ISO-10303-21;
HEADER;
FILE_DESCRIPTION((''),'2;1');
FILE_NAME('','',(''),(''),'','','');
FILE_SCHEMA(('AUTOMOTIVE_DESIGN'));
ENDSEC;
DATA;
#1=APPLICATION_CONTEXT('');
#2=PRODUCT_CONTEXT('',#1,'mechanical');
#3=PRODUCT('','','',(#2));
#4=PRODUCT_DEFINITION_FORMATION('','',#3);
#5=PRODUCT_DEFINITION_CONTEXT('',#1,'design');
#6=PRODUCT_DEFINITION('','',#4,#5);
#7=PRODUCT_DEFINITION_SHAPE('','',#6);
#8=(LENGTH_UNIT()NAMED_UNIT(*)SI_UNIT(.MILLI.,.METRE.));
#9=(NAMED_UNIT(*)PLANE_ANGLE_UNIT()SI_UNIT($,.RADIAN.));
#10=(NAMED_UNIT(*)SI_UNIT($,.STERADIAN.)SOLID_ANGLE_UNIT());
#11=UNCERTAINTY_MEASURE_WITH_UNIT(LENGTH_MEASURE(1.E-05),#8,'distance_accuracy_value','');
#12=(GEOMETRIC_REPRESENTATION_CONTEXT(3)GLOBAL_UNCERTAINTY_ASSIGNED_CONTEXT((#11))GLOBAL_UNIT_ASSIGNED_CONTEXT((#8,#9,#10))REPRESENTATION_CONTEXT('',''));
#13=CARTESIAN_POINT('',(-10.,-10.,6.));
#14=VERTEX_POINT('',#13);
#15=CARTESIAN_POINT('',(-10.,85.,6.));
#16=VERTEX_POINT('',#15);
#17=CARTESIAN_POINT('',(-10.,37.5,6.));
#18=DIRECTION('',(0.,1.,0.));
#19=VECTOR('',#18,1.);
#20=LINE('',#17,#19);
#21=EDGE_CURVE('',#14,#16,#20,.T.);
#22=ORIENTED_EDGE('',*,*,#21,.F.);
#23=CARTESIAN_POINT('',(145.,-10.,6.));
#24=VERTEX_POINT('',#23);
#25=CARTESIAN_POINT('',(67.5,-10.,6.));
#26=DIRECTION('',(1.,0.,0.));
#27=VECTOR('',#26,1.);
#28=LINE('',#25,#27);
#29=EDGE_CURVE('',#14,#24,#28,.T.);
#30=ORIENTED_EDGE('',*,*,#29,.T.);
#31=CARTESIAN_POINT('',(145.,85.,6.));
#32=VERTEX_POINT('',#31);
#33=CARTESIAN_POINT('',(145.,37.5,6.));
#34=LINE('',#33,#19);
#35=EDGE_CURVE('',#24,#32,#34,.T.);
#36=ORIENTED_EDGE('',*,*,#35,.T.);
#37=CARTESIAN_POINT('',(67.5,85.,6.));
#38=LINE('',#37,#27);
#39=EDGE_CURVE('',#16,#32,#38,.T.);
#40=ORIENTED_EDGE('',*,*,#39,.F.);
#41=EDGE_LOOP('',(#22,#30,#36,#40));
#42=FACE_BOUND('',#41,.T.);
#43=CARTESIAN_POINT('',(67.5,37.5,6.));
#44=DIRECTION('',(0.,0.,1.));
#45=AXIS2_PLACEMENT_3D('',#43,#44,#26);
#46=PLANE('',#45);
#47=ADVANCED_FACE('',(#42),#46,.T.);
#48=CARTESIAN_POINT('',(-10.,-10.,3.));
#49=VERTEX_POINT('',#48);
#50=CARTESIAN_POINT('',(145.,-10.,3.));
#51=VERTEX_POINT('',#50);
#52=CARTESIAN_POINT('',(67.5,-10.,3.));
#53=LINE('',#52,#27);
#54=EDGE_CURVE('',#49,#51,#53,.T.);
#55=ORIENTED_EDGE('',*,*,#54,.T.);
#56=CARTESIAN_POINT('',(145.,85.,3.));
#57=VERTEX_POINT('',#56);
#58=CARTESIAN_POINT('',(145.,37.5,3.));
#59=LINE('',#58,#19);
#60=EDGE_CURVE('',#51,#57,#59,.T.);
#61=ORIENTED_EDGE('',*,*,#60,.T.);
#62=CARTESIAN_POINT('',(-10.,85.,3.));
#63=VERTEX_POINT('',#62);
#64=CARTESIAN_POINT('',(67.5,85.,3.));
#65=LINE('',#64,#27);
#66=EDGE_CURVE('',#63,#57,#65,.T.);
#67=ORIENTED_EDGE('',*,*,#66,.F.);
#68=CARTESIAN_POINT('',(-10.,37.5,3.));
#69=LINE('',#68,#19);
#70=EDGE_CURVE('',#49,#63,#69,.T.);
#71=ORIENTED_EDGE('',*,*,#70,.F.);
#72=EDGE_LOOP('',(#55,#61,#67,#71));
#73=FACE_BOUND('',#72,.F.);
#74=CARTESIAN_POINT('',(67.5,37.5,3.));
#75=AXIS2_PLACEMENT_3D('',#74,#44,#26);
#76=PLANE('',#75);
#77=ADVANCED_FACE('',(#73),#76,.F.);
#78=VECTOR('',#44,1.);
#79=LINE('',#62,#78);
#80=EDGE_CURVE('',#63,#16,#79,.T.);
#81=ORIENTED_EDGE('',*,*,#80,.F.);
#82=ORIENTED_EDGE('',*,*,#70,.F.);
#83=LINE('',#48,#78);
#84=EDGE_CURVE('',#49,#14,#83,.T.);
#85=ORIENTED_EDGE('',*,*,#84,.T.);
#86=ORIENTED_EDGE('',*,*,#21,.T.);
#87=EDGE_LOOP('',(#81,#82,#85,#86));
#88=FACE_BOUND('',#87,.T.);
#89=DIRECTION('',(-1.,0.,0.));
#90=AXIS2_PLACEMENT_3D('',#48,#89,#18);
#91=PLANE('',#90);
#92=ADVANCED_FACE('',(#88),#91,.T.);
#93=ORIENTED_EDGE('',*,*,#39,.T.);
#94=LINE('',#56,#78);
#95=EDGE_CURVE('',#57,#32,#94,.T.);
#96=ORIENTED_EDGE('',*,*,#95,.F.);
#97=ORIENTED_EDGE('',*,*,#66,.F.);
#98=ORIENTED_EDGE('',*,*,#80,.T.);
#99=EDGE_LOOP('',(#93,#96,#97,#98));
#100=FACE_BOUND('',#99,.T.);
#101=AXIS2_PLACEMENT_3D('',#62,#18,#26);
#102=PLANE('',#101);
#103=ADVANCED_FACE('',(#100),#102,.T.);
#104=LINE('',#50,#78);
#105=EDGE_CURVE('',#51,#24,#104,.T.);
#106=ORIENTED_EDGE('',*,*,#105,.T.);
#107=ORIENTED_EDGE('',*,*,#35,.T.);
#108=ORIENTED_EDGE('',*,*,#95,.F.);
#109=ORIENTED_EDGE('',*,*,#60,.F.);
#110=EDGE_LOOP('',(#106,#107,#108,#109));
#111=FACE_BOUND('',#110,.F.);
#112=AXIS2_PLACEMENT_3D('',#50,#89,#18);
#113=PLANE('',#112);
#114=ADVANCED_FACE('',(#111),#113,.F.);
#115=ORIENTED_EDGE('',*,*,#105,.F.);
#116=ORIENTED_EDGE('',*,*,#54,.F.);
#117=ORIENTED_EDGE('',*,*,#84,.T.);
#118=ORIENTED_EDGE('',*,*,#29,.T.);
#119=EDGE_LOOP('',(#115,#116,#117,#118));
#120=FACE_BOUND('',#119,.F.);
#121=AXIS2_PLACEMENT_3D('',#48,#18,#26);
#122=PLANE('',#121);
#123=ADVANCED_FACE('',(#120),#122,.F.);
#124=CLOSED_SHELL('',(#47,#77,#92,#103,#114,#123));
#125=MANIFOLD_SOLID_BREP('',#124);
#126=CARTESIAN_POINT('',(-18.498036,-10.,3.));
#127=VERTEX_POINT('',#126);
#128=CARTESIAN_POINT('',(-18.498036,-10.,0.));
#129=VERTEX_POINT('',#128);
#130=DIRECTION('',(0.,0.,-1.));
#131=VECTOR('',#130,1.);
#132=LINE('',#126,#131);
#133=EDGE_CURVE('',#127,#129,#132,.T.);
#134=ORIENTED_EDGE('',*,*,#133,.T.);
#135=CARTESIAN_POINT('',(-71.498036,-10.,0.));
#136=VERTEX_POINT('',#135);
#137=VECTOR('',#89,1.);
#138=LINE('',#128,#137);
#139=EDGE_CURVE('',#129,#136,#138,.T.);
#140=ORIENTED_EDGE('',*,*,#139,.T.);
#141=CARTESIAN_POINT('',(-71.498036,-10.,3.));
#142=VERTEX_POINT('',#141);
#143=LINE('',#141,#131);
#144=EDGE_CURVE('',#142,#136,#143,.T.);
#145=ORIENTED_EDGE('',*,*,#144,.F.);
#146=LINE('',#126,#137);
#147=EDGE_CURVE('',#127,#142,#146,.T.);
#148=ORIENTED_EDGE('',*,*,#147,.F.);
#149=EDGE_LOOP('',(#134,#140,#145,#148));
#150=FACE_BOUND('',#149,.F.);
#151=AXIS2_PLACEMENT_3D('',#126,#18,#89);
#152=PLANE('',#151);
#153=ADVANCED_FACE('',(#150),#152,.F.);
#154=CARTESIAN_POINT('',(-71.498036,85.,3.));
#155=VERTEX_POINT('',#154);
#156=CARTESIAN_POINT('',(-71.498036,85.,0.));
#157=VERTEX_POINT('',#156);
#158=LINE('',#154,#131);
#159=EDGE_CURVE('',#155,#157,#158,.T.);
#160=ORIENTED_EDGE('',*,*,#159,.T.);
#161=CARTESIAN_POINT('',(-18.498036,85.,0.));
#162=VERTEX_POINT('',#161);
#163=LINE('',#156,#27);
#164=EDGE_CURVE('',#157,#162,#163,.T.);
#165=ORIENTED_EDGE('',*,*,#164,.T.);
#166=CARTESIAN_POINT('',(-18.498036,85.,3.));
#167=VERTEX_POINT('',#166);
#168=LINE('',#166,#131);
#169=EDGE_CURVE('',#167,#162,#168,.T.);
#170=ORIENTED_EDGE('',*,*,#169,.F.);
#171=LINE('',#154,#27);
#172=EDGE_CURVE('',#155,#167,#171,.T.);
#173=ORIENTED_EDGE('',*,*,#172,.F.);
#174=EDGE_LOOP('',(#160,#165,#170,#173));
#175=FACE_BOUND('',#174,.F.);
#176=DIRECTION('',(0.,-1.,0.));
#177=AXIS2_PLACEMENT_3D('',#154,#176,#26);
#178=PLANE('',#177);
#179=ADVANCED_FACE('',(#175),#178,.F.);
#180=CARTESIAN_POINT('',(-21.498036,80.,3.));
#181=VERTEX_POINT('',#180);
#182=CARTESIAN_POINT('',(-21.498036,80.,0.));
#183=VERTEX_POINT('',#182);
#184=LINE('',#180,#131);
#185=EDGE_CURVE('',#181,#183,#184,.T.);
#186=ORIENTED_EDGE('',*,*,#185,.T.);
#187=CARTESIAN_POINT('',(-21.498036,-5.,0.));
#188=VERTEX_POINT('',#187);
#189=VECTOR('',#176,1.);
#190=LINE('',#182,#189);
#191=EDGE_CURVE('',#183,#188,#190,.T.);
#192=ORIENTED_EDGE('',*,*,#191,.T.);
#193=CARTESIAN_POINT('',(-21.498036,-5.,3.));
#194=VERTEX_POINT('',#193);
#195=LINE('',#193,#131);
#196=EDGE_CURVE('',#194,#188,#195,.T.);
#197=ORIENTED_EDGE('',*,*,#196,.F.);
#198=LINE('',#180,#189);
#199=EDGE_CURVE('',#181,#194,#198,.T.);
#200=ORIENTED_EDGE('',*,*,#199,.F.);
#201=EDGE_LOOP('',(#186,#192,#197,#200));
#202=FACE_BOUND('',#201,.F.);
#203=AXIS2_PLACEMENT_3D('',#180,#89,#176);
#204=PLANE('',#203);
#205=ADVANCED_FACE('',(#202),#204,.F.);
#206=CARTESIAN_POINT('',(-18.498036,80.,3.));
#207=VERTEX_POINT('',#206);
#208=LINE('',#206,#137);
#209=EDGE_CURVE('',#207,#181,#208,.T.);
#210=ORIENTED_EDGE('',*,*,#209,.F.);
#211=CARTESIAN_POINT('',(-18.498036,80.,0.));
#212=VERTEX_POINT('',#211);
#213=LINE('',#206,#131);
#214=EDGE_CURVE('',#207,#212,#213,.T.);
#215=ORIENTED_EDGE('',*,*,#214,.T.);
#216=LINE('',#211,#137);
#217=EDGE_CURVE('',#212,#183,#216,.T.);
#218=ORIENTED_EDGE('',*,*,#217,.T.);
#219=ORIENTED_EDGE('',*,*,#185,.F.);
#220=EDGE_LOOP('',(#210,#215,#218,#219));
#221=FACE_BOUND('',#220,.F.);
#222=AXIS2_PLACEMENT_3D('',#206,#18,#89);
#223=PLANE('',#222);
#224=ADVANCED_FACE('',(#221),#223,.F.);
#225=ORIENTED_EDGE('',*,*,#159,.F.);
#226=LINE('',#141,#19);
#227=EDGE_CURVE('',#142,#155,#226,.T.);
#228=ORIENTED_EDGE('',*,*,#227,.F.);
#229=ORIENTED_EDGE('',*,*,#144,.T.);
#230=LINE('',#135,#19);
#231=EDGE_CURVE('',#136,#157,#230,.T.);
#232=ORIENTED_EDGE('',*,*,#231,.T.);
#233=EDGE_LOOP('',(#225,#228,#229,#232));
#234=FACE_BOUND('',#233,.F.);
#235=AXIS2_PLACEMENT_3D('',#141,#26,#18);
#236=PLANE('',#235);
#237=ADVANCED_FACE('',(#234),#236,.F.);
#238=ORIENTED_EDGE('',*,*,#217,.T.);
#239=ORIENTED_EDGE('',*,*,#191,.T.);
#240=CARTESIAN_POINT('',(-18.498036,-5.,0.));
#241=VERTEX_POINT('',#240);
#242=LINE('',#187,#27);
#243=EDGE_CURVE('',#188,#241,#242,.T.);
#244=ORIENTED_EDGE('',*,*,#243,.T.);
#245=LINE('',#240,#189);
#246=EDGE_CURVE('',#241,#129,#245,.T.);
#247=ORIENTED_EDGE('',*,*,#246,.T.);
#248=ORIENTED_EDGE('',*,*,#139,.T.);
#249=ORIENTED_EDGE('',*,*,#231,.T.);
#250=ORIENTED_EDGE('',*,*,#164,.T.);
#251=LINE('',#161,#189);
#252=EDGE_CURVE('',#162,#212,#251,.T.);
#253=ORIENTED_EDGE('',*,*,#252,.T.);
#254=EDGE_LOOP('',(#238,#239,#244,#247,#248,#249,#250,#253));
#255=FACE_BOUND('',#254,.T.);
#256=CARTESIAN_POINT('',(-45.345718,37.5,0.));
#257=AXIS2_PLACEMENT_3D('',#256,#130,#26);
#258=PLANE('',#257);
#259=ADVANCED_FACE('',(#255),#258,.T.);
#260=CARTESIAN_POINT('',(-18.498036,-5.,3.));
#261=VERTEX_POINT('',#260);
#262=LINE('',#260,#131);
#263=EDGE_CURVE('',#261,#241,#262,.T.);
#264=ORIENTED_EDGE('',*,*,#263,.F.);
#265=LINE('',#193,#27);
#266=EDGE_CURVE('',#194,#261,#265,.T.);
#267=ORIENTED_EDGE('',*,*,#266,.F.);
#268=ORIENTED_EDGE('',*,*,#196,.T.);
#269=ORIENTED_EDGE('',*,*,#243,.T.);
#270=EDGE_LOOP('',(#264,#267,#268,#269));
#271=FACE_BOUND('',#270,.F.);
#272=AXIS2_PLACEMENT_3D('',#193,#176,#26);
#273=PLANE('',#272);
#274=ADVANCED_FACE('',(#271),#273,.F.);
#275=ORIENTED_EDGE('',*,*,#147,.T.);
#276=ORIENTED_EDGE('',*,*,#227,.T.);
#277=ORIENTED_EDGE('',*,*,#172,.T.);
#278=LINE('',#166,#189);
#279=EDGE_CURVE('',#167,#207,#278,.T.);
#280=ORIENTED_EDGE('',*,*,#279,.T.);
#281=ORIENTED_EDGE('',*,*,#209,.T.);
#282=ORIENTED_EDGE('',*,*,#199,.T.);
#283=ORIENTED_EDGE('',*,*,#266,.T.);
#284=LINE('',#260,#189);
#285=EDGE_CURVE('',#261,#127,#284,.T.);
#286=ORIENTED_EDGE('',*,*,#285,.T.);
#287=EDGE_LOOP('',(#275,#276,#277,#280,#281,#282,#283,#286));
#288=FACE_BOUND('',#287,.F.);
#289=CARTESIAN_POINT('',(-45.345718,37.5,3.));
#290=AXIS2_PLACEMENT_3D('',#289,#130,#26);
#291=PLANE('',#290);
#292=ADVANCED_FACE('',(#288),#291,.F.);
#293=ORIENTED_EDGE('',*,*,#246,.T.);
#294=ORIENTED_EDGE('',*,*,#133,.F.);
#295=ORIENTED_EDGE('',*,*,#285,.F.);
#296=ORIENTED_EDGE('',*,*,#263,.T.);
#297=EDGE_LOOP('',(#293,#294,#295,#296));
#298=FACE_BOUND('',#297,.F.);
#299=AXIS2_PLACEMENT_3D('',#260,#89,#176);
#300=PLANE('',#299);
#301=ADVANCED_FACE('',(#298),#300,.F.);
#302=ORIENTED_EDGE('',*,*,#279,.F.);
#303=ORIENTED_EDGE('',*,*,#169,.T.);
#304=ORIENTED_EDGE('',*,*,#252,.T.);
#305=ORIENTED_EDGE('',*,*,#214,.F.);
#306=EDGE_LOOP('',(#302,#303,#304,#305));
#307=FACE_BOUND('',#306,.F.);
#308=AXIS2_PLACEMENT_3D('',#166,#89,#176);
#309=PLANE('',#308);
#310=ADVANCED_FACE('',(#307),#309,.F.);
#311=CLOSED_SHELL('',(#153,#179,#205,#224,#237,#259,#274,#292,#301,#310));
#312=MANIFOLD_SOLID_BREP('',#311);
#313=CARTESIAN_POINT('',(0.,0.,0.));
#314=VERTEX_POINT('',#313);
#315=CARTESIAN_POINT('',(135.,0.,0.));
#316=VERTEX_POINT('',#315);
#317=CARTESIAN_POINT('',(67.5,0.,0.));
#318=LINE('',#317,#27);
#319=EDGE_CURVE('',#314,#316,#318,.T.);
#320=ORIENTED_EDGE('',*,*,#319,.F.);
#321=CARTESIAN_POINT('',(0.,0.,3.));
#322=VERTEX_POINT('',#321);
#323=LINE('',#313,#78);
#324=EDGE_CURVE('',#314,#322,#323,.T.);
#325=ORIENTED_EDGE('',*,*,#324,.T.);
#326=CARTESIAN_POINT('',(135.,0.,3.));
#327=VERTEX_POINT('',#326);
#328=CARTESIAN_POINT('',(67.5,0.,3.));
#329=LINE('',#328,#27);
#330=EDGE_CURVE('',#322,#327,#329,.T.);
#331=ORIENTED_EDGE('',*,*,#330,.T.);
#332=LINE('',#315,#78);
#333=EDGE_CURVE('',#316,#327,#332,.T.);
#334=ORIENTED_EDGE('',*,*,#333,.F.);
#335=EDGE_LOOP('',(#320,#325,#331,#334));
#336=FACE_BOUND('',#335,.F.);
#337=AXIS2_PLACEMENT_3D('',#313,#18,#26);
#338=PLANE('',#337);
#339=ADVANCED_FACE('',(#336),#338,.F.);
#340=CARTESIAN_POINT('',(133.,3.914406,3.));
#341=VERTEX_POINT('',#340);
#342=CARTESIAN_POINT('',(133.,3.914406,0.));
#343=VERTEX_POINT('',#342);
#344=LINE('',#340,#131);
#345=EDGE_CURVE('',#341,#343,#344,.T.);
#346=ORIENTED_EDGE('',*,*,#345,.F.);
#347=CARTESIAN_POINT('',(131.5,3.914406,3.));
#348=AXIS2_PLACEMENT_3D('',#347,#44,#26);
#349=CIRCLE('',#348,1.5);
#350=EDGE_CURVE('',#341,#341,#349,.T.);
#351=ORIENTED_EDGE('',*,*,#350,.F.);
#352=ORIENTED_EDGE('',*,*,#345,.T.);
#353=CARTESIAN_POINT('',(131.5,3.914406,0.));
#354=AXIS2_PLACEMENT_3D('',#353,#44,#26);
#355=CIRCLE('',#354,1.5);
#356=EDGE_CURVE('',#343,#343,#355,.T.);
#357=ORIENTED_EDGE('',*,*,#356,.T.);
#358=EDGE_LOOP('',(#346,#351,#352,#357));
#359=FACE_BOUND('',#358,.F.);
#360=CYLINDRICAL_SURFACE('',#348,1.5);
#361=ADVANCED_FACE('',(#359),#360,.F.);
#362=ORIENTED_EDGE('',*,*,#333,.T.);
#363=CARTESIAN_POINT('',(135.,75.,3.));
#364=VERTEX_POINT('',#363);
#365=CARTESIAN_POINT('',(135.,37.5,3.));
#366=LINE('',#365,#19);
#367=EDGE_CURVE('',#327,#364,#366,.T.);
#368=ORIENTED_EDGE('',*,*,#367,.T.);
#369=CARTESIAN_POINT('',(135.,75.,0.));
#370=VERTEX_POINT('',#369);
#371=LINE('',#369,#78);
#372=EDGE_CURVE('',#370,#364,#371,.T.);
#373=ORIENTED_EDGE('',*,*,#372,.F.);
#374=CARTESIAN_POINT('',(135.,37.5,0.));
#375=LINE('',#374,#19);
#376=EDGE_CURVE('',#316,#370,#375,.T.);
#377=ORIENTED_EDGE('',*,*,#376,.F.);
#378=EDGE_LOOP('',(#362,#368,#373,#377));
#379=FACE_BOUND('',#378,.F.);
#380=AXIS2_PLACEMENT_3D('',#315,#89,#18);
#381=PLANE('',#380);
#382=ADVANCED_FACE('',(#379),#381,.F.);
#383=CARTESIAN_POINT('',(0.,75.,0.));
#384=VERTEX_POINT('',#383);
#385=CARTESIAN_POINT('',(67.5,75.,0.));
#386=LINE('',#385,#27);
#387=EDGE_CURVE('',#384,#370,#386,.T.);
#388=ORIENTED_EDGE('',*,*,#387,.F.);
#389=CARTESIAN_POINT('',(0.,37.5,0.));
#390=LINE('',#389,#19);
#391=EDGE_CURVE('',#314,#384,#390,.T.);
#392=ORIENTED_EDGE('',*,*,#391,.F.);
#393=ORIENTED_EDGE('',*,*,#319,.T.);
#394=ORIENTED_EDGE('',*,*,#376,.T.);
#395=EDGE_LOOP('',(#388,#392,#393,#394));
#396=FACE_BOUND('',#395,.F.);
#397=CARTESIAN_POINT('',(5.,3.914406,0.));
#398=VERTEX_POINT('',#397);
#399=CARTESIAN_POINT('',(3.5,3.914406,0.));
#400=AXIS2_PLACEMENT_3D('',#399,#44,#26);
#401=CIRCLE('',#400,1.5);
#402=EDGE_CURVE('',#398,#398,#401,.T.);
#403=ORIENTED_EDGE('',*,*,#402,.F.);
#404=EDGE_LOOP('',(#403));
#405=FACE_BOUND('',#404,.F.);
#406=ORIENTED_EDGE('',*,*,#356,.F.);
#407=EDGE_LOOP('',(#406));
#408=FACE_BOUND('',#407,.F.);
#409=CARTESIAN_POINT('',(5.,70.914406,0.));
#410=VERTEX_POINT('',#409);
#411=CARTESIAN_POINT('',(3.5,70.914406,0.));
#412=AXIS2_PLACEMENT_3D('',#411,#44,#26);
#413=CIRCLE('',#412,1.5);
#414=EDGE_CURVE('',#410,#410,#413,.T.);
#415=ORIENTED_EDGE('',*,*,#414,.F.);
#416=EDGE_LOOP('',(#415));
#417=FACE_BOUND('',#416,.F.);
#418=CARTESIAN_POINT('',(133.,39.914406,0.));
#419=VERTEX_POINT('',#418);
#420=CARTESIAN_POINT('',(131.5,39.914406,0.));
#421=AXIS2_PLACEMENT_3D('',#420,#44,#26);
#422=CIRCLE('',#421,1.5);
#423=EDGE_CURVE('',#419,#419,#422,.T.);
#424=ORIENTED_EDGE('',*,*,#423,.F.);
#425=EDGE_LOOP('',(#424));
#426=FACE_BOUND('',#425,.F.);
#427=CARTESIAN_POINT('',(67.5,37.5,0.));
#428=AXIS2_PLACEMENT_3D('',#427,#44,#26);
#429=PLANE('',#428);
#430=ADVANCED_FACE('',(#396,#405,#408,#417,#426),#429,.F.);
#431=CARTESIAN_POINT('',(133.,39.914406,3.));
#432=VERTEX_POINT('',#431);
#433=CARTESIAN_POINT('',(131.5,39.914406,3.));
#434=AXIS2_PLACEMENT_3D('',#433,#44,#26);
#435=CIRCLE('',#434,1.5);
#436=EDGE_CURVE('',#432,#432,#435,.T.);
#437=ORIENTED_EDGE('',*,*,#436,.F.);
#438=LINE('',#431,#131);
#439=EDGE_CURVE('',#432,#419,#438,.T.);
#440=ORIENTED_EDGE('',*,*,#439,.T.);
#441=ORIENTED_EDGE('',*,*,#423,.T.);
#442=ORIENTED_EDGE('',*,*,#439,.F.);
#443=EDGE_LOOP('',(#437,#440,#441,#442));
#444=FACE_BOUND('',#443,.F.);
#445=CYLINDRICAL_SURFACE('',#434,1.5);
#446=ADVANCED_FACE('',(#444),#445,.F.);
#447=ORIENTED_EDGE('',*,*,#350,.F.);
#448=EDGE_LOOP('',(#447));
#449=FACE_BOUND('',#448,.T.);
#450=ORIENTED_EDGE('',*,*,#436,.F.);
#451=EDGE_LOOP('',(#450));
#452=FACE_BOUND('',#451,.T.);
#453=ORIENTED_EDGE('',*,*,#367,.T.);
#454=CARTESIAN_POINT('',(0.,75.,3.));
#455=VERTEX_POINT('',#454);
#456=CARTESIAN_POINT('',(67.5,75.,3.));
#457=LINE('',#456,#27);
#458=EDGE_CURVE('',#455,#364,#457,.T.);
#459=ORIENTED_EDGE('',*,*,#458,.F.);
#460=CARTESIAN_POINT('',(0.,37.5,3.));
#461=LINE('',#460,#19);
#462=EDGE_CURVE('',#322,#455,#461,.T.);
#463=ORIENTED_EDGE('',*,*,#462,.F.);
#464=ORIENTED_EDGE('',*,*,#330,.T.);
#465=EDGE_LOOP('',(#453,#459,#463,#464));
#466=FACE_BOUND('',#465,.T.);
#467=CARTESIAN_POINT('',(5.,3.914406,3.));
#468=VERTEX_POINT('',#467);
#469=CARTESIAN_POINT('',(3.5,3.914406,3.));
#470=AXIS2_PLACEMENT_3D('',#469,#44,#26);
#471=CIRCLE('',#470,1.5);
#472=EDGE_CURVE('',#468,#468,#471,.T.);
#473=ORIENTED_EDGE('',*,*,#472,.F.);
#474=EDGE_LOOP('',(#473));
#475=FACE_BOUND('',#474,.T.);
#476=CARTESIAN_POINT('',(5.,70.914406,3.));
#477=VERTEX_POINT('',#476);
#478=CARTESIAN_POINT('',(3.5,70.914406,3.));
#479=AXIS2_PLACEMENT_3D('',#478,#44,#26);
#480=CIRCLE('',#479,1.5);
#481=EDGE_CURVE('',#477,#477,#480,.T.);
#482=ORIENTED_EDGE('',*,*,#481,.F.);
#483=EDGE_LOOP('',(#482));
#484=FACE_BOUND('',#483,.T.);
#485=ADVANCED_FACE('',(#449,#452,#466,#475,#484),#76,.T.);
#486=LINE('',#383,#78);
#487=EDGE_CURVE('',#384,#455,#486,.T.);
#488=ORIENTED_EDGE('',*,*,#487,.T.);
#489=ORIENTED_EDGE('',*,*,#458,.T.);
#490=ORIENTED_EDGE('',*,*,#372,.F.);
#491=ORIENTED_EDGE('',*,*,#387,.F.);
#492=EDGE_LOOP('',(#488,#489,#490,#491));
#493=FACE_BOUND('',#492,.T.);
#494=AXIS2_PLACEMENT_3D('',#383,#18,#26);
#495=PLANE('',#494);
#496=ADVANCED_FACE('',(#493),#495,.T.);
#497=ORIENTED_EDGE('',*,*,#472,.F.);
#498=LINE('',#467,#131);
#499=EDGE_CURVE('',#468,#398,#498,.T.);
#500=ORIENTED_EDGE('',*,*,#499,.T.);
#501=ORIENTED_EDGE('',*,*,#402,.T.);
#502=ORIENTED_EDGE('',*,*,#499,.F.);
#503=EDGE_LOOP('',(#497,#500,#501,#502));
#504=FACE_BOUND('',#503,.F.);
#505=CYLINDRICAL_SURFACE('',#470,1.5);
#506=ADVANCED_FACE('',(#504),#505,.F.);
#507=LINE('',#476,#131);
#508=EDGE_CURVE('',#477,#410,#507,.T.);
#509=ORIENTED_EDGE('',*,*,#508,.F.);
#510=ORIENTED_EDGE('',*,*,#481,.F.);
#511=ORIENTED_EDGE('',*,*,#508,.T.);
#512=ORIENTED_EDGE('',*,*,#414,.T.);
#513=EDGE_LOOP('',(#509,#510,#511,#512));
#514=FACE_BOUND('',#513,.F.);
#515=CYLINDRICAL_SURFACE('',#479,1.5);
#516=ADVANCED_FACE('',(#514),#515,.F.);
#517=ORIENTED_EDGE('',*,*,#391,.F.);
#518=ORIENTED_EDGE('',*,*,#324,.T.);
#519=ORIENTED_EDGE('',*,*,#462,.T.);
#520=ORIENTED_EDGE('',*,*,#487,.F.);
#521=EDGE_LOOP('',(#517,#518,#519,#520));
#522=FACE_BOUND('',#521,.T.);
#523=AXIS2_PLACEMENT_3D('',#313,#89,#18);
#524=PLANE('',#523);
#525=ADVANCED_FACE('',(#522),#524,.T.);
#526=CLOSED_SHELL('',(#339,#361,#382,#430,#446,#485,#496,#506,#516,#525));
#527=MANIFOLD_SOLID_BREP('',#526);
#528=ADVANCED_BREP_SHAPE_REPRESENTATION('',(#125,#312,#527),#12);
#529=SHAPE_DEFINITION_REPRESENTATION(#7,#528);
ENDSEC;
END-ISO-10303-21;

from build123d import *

# Parameters (mm, degrees)
F0_W     = 135
F0_H     = 75
F1_DEPTH = 3
F2_R     = 1.5
F3_DEPTH = 25
F4_W     = 155
F4_H     = 95
F5_DEPTH = 3
F7_DEPTH = 3


with BuildPart() as f1:
    # F0 (on Top) → F1 (new body)
    with BuildSketch(Plane.XY):
        with Locations((67.5, 37.5)):
            Rectangle(F0_W, F0_H)
    extrude(amount=F1_DEPTH)

    # F2 (on face) → F3 (cut)
    with BuildSketch(Plane.XY.offset(3)):
        with Locations((3.5, 70.914406)):
            Circle(F2_R)
        with Locations((3.5, 3.914406)):
            Circle(F2_R)
        with Locations((131.5, 3.914406)):
            Circle(F2_R)
        with Locations((131.5, 39.914406)):
            Circle(F2_R)
    extrude(amount=-F3_DEPTH, mode=Mode.SUBTRACT)


with BuildPart() as f5:
    # F4 (on face) → F5 (new body)
    with BuildSketch(Plane.XY.offset(3)):
        with Locations((67.5, 37.5)):
            Rectangle(F4_W, F4_H)
    extrude(amount=F5_DEPTH)


with BuildPart() as f7:
    # F6 (on face) → F7 (new body)
    with BuildSketch(Plane(origin=(0, 0, 3), x_dir=(1, 0, 0), z_dir=(0, 0, -1))):
        Polygon((-18.498036, 10), (-21.498036, 10), (-71.498036, 10), (-71.498036, -85), (-21.498036, -85), (-18.498036, -85), (-18.498036, -80), (-21.498036, -80), (-21.498036, 5), (-18.498036, 5), align=None)
    extrude(amount=F7_DEPTH)


solid = Compound([f1.part, f5.part, f7.part])
